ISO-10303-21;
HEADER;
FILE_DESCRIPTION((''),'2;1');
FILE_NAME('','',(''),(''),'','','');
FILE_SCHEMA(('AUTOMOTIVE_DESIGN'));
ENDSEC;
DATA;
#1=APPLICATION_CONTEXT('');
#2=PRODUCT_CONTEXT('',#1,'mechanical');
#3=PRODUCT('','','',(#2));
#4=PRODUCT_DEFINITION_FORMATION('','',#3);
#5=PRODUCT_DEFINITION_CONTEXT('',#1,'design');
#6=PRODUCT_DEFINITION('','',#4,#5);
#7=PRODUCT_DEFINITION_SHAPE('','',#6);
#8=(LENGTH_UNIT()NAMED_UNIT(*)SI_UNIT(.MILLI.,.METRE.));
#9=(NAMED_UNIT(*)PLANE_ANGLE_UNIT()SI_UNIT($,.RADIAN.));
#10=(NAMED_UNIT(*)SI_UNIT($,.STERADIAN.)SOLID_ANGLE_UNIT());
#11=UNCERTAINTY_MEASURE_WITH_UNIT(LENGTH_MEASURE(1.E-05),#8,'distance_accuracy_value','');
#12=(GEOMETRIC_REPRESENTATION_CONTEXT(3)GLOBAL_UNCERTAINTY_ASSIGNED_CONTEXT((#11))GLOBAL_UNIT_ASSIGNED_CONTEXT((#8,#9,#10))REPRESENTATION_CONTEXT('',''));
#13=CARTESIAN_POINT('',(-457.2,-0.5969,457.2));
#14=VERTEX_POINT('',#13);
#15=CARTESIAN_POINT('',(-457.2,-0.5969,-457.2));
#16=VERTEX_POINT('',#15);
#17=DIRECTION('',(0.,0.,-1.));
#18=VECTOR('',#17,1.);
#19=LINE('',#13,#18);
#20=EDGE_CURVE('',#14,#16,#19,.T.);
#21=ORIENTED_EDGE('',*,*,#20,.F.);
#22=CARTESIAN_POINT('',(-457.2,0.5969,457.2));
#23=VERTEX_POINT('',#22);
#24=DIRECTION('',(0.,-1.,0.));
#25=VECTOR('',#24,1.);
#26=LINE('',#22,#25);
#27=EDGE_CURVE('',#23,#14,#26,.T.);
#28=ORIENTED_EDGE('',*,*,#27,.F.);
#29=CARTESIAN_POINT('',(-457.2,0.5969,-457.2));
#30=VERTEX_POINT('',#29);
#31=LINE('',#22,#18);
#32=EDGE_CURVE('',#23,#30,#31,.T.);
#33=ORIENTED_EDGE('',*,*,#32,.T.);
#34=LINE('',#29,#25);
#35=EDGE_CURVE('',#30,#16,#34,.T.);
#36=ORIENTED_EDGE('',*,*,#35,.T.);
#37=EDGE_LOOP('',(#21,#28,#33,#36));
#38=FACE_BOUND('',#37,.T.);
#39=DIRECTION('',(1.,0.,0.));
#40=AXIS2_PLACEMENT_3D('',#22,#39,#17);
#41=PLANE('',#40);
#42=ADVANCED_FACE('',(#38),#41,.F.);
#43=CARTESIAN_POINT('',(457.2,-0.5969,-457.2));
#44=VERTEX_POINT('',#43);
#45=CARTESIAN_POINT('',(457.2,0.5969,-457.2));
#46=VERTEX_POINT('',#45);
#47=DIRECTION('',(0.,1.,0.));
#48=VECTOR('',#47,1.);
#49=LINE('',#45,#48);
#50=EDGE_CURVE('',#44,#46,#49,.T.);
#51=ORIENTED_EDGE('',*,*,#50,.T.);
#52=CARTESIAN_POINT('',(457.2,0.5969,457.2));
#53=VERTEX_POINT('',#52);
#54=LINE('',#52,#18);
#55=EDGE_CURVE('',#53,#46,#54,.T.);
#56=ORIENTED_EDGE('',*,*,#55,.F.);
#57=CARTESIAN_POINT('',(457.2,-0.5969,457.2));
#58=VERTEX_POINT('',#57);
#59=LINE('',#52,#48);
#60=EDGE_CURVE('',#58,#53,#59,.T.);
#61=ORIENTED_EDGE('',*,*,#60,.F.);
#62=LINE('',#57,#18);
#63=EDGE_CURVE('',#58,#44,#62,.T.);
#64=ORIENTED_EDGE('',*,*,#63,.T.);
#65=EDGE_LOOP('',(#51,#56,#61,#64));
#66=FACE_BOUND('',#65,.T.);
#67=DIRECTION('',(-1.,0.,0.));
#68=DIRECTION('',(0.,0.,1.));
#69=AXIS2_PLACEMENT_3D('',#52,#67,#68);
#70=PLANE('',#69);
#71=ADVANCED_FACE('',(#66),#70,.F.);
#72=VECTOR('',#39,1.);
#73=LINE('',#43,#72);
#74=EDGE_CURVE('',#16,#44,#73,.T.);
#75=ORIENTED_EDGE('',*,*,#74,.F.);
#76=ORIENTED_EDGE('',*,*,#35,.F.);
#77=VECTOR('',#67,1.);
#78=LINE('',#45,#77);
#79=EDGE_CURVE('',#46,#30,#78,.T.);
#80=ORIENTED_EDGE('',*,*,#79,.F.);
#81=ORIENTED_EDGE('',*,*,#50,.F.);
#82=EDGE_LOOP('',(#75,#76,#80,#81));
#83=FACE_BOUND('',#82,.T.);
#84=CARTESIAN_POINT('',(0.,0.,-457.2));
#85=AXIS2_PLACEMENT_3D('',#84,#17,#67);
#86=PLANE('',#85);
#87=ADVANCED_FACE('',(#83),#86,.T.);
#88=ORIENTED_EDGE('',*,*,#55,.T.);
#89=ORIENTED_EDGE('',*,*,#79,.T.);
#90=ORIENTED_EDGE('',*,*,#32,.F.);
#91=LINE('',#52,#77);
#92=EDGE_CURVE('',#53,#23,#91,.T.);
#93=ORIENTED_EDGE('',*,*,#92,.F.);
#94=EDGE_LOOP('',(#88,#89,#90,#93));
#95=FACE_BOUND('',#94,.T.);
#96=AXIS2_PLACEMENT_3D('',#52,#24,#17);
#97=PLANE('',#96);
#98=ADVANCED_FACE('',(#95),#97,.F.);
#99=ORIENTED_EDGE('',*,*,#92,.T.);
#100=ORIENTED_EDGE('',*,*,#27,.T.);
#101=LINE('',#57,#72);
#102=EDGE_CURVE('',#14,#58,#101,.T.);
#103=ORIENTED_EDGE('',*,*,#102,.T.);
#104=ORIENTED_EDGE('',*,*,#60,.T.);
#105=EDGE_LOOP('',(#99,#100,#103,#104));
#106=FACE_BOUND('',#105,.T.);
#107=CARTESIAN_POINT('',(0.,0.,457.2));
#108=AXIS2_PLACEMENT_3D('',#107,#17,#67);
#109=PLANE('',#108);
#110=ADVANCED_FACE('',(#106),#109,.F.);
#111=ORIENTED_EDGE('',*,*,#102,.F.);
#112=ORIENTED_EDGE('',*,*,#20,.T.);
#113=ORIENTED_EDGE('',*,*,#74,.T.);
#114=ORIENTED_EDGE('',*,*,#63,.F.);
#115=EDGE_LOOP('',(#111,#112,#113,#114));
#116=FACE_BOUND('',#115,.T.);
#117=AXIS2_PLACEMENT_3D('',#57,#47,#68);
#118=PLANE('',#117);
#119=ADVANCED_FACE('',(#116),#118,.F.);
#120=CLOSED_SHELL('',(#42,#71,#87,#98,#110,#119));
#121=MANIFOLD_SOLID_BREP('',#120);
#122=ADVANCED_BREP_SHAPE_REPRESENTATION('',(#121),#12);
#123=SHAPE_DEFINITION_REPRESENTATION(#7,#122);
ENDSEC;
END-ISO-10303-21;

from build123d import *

# Parameters (mm, degrees)
BOSS_EXTRUDE1_DEPTH      = 457.2
BOSS_EXTRUDE1_DEPTH_BACK = 457.2
SKETCH3_W                = 914.4
SKETCH3_H                = 1.1938


with BuildPart() as part:
    # Sketch3 → Boss-Extrude1 (new, two sides: drawn at the far end of the back side and taken through both)
    with BuildSketch(Plane.XY.offset(-BOSS_EXTRUDE1_DEPTH_BACK)):
        Rectangle(SKETCH3_W, SKETCH3_H)
    extrude(amount=BOSS_EXTRUDE1_DEPTH + BOSS_EXTRUDE1_DEPTH_BACK)


solid = part.part
